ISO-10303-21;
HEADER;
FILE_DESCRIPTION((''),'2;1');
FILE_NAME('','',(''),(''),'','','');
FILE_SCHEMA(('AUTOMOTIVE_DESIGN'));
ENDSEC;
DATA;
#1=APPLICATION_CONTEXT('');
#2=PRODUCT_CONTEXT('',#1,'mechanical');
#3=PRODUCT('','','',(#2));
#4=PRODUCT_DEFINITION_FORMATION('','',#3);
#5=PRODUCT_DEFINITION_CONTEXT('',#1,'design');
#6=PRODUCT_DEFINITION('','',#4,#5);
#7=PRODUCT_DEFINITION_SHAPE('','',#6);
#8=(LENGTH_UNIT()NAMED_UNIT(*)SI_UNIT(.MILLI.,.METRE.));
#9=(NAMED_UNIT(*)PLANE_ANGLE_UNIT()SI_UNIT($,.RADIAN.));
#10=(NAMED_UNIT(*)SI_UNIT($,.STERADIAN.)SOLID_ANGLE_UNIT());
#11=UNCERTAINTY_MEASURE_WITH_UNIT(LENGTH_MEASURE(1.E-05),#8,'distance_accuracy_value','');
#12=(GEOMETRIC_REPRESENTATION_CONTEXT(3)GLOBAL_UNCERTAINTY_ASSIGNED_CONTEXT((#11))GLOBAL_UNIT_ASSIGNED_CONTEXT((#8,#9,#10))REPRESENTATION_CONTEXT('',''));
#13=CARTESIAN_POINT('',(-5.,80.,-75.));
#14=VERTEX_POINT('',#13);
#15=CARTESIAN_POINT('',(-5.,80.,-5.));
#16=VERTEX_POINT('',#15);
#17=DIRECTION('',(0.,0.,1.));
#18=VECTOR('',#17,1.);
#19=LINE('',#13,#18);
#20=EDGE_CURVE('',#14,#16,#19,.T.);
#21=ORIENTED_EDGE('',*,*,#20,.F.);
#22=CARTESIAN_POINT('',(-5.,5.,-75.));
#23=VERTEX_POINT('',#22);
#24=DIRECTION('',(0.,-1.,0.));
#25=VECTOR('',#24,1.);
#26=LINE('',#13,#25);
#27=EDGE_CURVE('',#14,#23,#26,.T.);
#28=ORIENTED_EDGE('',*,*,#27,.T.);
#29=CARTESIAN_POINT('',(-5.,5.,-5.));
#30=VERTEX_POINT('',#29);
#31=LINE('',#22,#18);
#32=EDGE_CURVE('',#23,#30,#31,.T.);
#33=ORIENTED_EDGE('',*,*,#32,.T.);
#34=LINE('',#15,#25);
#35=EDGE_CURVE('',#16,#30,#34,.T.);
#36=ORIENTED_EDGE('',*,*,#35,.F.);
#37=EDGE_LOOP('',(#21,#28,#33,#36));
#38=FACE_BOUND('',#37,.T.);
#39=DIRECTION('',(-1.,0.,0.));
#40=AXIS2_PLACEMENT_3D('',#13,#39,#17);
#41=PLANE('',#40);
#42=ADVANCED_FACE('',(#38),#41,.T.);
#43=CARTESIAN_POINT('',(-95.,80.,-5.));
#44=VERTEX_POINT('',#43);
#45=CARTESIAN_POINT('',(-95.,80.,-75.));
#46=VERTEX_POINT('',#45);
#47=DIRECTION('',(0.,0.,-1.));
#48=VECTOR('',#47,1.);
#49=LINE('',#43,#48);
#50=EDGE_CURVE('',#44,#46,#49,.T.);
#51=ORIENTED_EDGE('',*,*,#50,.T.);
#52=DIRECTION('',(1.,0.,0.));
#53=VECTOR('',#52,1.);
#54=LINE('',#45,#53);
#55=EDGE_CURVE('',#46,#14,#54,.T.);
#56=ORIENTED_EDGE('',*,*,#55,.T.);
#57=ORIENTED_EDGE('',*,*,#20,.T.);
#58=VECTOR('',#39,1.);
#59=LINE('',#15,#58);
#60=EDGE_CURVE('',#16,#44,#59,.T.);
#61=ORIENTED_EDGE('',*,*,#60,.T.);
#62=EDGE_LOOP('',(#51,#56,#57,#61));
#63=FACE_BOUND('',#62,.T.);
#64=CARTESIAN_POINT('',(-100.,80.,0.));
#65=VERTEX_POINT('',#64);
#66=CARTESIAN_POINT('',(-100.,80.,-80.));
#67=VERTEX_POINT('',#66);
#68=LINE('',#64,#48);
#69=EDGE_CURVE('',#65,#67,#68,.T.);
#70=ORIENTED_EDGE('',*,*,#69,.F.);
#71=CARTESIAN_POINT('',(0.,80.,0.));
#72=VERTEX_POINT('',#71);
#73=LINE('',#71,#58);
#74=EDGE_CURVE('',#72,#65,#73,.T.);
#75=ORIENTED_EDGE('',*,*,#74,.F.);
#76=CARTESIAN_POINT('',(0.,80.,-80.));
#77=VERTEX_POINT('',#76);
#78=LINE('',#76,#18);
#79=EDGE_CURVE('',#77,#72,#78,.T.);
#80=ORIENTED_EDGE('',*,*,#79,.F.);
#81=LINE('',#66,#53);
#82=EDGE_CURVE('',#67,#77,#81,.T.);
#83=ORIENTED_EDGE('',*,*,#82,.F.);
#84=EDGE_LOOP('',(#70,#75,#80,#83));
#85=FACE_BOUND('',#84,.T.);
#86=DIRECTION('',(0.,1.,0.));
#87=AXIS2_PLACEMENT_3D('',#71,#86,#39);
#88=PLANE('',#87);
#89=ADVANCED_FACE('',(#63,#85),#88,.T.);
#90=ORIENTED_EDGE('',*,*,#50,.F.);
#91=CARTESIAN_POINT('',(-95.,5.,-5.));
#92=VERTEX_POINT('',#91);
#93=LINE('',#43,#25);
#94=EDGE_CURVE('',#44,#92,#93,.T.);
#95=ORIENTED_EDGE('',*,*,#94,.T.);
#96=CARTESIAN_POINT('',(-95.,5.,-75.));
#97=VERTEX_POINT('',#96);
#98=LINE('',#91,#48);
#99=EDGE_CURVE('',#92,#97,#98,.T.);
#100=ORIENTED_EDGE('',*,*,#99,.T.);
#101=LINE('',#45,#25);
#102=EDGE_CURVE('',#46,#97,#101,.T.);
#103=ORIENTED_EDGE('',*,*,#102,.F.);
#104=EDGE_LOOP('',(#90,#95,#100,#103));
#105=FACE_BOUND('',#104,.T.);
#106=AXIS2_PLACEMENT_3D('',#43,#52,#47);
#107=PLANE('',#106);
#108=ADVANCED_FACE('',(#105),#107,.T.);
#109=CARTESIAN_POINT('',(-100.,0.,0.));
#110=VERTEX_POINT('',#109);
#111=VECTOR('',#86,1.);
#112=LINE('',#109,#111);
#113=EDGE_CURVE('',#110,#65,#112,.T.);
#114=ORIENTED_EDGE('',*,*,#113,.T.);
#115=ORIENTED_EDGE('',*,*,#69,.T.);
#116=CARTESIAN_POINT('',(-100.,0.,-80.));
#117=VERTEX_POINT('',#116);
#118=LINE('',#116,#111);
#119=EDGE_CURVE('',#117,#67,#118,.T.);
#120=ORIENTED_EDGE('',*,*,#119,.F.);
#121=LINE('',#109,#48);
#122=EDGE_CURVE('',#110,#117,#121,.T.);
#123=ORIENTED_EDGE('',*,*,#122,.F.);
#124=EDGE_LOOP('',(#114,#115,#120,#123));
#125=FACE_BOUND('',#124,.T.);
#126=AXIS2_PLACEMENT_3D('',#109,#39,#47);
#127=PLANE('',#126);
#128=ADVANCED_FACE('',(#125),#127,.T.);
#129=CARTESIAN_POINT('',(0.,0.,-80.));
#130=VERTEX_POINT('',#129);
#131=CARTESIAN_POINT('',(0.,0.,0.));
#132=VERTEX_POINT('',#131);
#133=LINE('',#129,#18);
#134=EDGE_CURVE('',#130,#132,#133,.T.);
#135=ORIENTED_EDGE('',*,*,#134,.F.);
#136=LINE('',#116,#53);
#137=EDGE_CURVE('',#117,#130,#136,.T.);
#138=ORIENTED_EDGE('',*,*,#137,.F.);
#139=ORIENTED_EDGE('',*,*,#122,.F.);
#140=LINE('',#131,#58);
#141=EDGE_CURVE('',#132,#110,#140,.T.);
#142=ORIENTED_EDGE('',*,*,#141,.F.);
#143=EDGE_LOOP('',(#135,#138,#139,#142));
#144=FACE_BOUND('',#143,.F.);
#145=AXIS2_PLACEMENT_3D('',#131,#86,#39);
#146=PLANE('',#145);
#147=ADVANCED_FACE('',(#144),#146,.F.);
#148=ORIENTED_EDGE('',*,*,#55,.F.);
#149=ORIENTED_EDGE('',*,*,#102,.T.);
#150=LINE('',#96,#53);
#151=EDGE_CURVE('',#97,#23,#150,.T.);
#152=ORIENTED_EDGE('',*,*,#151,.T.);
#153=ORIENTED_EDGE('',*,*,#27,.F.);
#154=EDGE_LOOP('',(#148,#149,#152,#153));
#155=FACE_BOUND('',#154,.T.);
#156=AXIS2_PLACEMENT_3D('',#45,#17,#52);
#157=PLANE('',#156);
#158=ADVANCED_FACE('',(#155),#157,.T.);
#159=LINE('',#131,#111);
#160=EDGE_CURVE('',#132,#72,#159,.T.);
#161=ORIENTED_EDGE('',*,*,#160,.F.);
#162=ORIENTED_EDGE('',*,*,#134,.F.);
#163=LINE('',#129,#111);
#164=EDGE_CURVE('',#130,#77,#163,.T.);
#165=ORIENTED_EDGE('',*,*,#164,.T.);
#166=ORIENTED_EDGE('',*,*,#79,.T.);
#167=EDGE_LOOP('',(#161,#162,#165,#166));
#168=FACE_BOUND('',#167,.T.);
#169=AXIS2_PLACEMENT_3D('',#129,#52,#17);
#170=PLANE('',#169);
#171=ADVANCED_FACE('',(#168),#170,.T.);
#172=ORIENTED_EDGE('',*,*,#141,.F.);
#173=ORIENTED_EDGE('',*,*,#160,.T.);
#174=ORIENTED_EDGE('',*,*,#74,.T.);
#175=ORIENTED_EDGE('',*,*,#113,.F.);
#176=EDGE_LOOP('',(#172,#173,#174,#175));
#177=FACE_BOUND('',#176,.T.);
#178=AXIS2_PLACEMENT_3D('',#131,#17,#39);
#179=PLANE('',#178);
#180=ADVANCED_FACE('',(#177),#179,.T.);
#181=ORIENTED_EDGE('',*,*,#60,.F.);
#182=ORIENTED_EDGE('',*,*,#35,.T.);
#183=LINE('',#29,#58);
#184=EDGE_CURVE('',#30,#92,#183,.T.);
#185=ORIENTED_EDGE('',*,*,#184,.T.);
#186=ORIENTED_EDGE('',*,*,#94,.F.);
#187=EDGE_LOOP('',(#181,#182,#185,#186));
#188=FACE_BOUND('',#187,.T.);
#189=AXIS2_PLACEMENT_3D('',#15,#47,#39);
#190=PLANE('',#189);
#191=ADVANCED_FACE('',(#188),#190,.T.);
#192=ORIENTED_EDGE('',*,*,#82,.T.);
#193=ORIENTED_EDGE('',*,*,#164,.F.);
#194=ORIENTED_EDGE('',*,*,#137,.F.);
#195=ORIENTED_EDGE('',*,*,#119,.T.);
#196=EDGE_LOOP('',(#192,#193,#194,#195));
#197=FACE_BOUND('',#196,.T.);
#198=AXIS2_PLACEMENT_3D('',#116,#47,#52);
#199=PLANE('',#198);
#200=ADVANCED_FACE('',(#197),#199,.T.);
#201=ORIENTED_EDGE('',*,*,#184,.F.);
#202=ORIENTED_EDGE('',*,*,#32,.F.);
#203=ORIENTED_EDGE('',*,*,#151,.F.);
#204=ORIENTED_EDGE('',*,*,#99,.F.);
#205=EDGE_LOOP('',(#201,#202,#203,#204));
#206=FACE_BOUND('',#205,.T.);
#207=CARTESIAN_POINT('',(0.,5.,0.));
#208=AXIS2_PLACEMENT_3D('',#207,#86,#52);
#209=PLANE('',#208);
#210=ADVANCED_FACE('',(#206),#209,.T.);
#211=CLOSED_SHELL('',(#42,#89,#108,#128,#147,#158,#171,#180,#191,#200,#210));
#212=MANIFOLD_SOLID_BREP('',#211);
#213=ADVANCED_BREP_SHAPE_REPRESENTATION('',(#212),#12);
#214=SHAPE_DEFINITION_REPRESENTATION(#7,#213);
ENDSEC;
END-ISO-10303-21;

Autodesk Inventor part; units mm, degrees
ref_plane "YZ Plane" through (0, 0, 0) normal (1, 0, 0) x (0, 1, 0)
ref_plane "XZ Plane" through (0, 0, 0) normal (0, 1, 0) x (-1, 0, 0)
ref_plane "XY Plane" through (0, 0, 0) normal (0, 0, 1) x (1, 0, 0)
sketch "草圖1" plane through (0, 0, 0) normal (0, 1, 0) x (-1, 0, 0)
  point P0 (0, 0)
sketch "草圖2" plane through (0, 0, 0) normal (0, 1, 0) x (-1, 0, 0)
  line L0 (0, 0) -> (100, 0)
  line L1 (100, 0) -> (100, -80)
  line L2 (100, -80) -> (0, -80)
  line L3 (0, -80) -> (0, 0)
  dimension "d0" = 100
  dimension "d1" = 80
extrude "擠出1" add sketch "草圖2" along normal blind 80
sketch "草圖3" plane through (0, 80, 0) normal (0, 1, 0) x (1, 0, 0)
  line L0 (-5, 5) -> (-95, 5)
  line L1 (-95, 5) -> (-95, 75)
  line L2 (-95, 75) -> (-5, 75)
  line L3 (-5, 75) -> (-5, 5)
  line L4 (-100, 80) -> (-100, 0) projected
  line L5 (0, 0) -> (0, 80) projected
  line L6 (-100, 0) -> (0, 0) projected
  line L7 (0, 80) -> (-100, 80) projected
  point P0 (-50, 75)
  dimension "d4" = 5
  dimension "d5" = 5
  dimension "d6" = 5
  dimension "d7" = 5
extrude "擠出2" cut sketch "草圖3" against normal blind 75 contours L0 L1 L2 L3
properties part number "MoneyCase"
